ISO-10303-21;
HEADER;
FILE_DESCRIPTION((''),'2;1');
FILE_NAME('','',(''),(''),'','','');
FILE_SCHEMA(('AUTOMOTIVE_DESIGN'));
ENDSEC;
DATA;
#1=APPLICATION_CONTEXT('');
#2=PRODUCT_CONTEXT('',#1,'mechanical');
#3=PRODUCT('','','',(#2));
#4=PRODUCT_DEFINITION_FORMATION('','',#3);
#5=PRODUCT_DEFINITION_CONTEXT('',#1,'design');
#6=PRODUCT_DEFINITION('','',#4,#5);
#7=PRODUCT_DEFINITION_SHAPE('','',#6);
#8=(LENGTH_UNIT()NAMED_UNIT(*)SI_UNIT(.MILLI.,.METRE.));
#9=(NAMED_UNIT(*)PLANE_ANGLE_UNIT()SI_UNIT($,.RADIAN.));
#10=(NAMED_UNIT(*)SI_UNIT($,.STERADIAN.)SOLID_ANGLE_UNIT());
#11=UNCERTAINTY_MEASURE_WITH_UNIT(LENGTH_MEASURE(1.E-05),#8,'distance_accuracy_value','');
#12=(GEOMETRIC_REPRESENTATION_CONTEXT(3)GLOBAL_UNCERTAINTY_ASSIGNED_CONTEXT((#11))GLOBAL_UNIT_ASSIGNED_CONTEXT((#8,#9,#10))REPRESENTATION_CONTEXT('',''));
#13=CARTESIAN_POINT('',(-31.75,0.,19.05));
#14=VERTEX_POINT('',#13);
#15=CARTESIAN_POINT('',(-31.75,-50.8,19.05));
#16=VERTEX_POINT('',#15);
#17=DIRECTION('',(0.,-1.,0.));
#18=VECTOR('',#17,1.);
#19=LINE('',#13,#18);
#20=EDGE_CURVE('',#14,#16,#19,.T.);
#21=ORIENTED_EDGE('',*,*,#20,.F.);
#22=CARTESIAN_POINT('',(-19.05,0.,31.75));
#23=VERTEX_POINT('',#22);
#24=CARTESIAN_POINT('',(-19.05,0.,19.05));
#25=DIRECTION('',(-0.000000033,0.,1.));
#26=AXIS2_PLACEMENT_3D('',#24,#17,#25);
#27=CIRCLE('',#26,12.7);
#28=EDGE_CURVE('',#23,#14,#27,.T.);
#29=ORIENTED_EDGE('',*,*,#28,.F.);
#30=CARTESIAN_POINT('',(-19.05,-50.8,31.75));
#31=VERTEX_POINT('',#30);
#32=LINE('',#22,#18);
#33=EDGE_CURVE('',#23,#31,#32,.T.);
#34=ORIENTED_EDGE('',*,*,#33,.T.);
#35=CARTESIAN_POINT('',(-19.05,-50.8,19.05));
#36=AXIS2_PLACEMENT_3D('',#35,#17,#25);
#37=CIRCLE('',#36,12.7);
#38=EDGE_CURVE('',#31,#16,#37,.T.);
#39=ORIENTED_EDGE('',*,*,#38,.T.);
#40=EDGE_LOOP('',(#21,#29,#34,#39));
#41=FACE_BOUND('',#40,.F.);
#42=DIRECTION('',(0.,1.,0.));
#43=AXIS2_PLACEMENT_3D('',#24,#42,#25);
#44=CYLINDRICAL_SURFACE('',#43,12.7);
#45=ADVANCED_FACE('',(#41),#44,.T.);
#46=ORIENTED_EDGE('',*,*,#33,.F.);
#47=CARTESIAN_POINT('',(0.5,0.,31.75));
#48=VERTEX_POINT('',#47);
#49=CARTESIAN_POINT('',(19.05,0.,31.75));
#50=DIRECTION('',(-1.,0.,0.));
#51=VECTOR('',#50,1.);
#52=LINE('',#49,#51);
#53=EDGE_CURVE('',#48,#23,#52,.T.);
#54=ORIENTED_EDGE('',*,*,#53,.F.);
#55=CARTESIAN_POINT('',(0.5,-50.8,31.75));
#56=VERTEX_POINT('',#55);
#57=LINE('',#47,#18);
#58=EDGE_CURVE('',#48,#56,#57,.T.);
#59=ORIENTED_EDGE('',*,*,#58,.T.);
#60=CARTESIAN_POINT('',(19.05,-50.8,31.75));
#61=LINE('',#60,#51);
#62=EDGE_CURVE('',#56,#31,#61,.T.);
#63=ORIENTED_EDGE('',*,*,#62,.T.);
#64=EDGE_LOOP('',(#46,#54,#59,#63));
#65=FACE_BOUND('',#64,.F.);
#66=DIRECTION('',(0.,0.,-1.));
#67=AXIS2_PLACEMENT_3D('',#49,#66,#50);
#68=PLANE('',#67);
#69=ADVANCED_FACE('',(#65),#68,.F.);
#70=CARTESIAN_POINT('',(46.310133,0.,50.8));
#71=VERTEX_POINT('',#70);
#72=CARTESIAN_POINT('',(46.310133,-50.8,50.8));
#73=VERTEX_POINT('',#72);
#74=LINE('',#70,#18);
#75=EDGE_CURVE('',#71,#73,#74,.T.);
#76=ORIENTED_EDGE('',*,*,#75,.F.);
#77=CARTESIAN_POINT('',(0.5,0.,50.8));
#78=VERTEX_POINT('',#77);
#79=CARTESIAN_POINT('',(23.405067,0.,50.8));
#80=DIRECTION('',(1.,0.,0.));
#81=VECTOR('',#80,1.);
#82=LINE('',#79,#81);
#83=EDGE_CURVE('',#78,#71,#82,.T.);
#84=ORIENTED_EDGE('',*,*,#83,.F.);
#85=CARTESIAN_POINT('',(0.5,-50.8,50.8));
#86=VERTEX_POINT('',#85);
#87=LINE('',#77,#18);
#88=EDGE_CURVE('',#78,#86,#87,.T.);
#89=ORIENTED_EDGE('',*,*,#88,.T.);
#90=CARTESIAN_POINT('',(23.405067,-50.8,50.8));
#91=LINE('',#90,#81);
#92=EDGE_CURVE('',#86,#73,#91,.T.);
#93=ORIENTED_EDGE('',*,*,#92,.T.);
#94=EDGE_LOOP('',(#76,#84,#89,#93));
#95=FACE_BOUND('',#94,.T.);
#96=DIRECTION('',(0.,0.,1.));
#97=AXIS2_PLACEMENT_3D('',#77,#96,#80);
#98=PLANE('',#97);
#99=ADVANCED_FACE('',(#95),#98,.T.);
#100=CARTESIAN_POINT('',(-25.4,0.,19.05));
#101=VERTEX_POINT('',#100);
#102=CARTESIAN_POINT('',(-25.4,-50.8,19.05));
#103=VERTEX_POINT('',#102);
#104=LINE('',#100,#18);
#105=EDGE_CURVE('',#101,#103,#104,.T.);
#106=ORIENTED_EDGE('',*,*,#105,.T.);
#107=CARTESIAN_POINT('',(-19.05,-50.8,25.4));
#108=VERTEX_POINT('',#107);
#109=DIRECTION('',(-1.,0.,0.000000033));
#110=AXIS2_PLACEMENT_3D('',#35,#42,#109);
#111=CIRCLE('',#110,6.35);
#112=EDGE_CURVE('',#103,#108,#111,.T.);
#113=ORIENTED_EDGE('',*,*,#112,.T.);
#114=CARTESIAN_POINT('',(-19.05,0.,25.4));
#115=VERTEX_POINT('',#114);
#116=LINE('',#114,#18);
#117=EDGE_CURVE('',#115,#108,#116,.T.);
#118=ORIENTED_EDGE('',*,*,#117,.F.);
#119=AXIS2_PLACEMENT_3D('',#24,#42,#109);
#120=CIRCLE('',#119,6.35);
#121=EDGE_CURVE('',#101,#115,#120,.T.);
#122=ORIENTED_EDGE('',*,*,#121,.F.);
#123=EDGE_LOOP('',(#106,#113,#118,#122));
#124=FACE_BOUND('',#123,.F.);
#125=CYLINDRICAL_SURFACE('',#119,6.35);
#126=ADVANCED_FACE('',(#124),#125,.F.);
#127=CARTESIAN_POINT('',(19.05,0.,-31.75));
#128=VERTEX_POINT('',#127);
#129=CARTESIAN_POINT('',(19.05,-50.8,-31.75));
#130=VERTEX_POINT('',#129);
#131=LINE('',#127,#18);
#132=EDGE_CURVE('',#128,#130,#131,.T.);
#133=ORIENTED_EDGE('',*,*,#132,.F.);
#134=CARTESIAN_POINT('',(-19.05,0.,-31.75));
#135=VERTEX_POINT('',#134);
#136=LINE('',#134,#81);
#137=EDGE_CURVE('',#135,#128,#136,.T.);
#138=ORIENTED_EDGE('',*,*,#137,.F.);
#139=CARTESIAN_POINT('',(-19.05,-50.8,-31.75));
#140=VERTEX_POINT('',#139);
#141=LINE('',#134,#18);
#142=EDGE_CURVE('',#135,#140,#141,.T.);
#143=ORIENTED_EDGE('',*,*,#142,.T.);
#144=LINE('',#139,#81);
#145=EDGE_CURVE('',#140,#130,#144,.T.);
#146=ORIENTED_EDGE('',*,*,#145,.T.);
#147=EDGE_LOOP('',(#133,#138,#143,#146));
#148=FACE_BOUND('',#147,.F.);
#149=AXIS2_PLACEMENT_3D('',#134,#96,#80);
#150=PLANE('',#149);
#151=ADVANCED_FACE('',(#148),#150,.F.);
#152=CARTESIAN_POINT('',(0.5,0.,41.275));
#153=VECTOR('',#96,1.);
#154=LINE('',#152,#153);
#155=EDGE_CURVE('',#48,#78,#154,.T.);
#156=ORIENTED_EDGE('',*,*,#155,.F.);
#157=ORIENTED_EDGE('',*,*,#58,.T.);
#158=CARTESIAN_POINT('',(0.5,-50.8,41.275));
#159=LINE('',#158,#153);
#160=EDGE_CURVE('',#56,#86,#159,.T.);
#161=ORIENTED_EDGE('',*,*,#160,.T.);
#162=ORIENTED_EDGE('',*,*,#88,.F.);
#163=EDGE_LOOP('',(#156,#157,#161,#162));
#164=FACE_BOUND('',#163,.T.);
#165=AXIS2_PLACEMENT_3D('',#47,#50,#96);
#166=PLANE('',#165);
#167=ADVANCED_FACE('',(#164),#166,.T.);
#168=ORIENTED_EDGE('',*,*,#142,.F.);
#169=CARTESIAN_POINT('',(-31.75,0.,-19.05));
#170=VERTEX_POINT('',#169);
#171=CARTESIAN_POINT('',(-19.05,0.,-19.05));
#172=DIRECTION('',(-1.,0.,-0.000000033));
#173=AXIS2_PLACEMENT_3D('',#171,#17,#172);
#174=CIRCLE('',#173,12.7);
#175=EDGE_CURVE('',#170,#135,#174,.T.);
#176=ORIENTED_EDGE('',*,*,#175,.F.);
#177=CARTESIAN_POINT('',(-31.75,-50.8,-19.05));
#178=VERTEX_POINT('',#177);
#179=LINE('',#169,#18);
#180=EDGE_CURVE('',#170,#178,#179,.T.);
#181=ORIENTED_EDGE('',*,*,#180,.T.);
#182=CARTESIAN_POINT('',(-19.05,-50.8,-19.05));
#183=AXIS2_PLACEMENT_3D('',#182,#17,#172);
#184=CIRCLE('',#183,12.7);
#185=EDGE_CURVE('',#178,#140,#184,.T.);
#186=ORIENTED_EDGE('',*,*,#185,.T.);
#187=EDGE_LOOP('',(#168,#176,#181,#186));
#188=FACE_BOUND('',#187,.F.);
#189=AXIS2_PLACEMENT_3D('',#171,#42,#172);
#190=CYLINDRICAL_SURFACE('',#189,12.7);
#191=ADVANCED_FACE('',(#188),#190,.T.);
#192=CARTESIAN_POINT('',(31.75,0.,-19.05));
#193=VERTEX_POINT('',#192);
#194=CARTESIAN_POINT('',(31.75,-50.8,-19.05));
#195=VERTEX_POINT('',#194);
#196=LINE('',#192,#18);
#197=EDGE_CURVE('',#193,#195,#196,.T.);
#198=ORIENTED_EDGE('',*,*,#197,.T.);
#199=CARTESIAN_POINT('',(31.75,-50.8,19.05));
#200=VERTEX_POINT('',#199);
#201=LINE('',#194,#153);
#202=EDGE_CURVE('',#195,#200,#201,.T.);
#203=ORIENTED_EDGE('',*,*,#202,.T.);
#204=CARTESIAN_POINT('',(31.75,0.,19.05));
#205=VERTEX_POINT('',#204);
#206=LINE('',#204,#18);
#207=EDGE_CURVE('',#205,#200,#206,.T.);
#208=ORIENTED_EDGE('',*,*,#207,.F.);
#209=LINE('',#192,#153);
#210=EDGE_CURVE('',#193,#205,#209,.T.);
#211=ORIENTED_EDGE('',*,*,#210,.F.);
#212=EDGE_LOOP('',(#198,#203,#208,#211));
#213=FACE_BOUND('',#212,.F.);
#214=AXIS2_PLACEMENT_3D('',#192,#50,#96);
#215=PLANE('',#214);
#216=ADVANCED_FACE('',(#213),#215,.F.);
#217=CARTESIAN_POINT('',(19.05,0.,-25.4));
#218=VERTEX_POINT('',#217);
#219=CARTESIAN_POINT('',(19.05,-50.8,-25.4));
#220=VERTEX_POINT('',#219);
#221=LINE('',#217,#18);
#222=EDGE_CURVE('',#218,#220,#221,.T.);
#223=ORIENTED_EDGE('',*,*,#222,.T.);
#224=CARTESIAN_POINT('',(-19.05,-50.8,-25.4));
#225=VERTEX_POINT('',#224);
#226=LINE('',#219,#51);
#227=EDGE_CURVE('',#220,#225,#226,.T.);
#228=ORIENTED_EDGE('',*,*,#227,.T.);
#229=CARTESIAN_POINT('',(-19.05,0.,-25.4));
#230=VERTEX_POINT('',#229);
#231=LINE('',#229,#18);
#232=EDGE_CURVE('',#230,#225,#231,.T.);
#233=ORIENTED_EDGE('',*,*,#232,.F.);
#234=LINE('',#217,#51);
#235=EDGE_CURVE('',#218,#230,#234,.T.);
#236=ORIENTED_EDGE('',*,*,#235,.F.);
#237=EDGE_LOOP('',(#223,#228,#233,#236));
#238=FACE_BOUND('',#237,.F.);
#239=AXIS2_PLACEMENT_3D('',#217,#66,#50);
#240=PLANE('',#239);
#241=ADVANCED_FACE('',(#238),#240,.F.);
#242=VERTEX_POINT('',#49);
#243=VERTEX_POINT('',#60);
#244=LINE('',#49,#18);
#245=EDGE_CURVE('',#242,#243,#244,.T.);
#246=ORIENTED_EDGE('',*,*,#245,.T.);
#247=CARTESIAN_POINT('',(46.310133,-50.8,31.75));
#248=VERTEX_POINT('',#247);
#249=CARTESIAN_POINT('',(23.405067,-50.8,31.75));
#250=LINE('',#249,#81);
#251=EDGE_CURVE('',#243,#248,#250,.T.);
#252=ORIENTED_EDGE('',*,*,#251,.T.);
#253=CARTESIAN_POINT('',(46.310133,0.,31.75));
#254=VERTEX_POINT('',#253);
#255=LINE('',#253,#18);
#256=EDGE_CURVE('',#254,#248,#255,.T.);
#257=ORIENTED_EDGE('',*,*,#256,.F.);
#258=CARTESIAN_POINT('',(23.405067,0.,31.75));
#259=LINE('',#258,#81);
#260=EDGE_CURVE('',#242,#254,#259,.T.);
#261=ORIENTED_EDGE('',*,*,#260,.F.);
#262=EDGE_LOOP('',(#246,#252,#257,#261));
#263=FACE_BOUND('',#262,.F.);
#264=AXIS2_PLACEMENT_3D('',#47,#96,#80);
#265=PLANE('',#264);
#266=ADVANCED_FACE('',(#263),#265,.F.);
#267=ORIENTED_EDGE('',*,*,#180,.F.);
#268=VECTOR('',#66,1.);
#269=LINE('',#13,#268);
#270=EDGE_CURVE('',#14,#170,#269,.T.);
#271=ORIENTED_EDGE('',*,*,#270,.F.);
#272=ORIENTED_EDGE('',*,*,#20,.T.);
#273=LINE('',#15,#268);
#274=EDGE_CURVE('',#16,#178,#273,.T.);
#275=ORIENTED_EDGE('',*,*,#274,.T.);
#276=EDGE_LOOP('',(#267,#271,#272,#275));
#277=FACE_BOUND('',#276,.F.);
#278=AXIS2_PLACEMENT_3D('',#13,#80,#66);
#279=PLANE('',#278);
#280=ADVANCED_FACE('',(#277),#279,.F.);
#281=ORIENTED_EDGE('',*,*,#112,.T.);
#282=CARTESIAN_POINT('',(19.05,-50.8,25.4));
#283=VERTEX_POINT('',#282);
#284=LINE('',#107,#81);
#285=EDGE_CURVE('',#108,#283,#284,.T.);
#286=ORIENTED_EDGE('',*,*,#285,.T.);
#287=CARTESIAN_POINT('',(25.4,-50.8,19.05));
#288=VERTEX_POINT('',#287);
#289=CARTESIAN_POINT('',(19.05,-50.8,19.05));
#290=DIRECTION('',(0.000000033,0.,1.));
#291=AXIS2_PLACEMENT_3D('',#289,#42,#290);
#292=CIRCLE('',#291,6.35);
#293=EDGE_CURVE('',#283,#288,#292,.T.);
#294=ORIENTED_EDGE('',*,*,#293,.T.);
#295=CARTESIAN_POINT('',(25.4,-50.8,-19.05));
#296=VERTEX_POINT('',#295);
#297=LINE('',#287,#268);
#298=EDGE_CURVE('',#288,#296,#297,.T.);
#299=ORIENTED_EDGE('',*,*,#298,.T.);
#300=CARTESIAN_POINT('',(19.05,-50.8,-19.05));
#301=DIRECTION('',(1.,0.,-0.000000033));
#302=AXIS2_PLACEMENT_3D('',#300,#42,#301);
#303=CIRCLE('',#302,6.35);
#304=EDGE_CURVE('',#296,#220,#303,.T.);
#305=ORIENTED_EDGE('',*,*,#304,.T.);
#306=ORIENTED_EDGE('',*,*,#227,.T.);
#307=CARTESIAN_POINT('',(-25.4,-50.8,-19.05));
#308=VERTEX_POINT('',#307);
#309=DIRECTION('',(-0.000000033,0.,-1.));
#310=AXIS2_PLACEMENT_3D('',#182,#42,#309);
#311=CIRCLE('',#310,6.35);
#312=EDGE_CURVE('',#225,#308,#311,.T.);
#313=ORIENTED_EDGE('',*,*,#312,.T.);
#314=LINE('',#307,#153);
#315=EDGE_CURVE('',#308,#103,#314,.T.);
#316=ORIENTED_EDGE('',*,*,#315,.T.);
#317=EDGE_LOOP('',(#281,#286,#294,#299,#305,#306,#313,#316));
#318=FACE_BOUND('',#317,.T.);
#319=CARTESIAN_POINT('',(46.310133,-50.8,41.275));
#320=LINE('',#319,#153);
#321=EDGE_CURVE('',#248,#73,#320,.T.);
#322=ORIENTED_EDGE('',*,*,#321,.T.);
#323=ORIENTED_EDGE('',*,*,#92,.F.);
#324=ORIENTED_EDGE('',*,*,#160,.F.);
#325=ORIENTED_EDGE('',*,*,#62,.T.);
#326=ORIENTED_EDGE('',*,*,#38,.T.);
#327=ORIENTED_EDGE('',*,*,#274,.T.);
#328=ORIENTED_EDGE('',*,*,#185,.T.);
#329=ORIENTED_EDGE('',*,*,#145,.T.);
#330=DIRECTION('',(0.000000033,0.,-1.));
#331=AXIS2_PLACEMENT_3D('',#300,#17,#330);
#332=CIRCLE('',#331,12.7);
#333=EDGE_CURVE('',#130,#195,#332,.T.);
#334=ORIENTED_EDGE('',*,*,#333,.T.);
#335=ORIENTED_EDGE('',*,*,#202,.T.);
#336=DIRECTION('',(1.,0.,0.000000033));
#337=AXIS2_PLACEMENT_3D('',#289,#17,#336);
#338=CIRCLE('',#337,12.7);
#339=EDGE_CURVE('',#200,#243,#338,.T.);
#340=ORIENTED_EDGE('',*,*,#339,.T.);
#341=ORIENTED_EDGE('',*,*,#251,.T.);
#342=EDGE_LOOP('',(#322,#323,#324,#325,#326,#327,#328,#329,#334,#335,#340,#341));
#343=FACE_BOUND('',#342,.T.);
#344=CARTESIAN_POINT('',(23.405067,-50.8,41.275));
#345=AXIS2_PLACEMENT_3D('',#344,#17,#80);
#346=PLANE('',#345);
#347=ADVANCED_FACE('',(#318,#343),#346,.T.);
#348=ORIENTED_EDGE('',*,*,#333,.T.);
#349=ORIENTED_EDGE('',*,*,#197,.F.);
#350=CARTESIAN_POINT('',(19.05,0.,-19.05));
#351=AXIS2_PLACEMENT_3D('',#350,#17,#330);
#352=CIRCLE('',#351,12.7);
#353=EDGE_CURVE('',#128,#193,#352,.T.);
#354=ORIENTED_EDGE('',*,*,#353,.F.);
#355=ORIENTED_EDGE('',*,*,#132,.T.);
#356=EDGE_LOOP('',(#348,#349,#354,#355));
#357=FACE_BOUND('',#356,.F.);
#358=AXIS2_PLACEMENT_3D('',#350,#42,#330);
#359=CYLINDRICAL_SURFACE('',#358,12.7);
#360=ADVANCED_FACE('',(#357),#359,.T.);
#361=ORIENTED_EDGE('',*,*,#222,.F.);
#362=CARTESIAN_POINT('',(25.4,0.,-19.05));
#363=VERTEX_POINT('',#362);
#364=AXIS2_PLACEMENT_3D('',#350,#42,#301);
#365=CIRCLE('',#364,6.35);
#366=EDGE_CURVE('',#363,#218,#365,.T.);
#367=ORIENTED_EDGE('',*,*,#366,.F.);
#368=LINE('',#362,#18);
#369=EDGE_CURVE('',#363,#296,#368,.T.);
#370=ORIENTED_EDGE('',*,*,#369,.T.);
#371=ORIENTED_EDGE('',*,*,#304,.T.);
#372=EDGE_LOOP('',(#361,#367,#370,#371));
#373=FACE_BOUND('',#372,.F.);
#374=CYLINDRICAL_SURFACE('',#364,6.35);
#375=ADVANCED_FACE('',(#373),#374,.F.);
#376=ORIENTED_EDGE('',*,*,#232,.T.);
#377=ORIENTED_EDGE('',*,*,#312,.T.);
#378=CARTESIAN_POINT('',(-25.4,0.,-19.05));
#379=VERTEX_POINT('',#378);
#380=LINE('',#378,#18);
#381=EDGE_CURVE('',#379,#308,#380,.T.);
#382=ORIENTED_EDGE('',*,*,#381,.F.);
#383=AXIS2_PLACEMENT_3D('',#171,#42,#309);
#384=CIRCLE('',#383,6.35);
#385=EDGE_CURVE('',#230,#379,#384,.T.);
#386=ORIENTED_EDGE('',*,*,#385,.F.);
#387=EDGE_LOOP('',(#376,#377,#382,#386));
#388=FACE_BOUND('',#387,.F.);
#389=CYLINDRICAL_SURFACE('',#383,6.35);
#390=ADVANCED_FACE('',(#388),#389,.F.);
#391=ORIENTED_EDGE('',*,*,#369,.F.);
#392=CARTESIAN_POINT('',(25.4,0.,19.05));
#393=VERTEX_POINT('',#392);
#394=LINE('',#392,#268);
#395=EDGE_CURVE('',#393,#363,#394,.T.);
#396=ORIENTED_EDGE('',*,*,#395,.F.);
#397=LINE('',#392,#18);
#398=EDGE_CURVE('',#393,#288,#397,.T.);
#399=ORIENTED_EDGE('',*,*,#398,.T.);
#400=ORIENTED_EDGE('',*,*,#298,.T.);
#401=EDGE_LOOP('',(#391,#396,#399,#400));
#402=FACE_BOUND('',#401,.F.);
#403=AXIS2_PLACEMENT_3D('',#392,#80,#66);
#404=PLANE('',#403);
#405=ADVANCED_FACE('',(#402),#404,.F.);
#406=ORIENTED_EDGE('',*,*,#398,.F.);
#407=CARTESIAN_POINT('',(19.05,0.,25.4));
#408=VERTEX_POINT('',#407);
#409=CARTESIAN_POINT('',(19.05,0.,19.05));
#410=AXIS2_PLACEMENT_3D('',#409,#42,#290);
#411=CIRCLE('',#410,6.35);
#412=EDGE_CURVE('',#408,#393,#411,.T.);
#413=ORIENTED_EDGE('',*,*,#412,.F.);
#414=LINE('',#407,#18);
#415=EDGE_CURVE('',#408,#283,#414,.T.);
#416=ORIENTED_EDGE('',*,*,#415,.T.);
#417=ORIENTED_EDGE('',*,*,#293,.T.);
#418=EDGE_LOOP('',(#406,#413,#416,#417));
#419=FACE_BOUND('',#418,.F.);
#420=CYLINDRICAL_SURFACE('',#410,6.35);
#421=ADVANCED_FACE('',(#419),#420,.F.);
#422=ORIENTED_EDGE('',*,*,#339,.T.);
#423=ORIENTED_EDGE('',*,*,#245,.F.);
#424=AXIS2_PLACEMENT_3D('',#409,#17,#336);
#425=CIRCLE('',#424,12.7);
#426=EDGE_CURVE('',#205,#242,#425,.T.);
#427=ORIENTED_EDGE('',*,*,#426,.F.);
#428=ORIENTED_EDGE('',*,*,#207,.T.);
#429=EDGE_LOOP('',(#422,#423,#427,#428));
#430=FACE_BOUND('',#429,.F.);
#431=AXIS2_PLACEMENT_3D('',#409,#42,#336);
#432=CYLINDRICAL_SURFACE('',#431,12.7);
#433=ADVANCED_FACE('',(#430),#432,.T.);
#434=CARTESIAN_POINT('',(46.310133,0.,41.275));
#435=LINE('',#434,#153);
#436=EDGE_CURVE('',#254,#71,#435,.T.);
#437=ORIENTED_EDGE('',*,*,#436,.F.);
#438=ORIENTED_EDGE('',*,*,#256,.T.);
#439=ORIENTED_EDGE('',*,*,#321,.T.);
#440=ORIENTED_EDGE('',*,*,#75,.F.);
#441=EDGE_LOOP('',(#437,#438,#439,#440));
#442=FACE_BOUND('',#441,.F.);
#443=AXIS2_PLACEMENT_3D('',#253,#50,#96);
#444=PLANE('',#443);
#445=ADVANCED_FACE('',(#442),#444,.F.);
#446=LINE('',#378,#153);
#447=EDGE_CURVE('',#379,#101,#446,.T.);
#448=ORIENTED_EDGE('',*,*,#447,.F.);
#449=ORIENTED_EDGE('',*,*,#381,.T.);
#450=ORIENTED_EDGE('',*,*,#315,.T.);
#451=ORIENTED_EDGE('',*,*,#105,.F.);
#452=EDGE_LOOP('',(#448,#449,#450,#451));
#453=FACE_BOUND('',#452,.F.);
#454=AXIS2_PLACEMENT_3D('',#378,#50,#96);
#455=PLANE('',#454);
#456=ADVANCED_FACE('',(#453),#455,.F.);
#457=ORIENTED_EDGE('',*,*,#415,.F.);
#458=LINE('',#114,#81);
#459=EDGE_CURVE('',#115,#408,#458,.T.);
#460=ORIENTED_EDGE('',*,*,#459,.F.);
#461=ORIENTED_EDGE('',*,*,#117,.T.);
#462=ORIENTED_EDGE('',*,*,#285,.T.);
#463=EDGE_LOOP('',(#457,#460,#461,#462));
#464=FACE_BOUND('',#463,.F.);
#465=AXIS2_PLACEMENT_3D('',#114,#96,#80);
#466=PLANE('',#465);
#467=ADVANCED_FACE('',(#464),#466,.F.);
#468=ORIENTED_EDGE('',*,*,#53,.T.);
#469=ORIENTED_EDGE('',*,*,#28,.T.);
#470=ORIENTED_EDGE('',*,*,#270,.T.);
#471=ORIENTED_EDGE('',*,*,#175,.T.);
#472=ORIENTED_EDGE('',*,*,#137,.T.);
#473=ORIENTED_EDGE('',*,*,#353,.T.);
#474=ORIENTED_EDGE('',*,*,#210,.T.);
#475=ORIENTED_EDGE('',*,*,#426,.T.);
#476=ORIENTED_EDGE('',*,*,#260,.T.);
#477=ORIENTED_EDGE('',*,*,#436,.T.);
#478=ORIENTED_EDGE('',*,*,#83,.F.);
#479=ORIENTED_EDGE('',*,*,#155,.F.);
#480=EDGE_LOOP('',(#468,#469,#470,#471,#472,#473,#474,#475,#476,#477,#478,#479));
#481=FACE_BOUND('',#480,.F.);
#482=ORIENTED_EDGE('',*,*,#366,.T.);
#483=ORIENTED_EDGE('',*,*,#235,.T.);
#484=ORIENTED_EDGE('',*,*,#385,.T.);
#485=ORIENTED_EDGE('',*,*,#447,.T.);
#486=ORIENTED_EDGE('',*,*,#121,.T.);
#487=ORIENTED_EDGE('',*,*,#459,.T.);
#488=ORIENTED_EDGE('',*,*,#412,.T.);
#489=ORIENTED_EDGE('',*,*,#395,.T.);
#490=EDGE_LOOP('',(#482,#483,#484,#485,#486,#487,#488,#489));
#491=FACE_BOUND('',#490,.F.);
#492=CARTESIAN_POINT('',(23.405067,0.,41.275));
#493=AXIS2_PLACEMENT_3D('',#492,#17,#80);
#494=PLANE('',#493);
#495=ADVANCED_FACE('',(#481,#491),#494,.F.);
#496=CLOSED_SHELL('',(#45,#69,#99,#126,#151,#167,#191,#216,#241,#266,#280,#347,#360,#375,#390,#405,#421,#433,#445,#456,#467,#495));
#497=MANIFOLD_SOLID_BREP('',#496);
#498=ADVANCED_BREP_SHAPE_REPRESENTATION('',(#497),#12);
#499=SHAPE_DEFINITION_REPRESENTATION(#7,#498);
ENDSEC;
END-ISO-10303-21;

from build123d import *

# Parameters (mm, degrees)
F2_DEPTH = 50.8
F3_W     = 45.810133
F3_H     = 19.05
F4_DEPTH = 50.8


with BuildPart() as f2:
    # F0 (on Front) → F2 (new body)
    with BuildSketch(Plane.XZ):
        with BuildLine():
            ThreePointArc((31.75, 19.05), (28.030256, 28.030256), (19.05, 31.75))
            Line((19.05, 31.75), (-19.05, 31.75))
            ThreePointArc((-19.05, 31.75), (-28.030256, 28.030256), (-31.75, 19.05))
            Line((-31.75, 19.05), (-31.75, -19.05))
            ThreePointArc((-31.75, -19.05), (-28.030256, -28.030256), (-19.05, -31.75))
            Line((-19.05, -31.75), (19.05, -31.75))
            ThreePointArc((19.05, -31.75), (28.030256, -28.030256), (31.75, -19.05))
            Line((31.75, -19.05), (31.75, 19.05))
        make_face()
        with BuildLine():
            ThreePointArc((19.05, 25.4), (23.540128, 23.540128), (25.4, 19.05))
            Line((25.4, 19.05), (25.4, -19.05))
            ThreePointArc((25.4, -19.05), (23.540128, -23.540128), (19.05, -25.4))
            Line((19.05, -25.4), (-19.05, -25.4))
            ThreePointArc((-19.05, -25.4), (-23.540128, -23.540128), (-25.4, -19.05))
            Line((-25.4, -19.05), (-25.4, 19.05))
            ThreePointArc((-25.4, 19.05), (-23.540128, 23.540128), (-19.05, 25.4))
            Line((-19.05, 25.4), (19.05, 25.4))
        make_face(mode=Mode.SUBTRACT)
    extrude(amount=F2_DEPTH)

    # F3 (on Front) → F4 (join)
    with BuildSketch(Plane.XZ):
        with Locations((23.405067, 41.275)):
            Rectangle(F3_W, F3_H)
    extrude(amount=F4_DEPTH)


solid = f2.part
